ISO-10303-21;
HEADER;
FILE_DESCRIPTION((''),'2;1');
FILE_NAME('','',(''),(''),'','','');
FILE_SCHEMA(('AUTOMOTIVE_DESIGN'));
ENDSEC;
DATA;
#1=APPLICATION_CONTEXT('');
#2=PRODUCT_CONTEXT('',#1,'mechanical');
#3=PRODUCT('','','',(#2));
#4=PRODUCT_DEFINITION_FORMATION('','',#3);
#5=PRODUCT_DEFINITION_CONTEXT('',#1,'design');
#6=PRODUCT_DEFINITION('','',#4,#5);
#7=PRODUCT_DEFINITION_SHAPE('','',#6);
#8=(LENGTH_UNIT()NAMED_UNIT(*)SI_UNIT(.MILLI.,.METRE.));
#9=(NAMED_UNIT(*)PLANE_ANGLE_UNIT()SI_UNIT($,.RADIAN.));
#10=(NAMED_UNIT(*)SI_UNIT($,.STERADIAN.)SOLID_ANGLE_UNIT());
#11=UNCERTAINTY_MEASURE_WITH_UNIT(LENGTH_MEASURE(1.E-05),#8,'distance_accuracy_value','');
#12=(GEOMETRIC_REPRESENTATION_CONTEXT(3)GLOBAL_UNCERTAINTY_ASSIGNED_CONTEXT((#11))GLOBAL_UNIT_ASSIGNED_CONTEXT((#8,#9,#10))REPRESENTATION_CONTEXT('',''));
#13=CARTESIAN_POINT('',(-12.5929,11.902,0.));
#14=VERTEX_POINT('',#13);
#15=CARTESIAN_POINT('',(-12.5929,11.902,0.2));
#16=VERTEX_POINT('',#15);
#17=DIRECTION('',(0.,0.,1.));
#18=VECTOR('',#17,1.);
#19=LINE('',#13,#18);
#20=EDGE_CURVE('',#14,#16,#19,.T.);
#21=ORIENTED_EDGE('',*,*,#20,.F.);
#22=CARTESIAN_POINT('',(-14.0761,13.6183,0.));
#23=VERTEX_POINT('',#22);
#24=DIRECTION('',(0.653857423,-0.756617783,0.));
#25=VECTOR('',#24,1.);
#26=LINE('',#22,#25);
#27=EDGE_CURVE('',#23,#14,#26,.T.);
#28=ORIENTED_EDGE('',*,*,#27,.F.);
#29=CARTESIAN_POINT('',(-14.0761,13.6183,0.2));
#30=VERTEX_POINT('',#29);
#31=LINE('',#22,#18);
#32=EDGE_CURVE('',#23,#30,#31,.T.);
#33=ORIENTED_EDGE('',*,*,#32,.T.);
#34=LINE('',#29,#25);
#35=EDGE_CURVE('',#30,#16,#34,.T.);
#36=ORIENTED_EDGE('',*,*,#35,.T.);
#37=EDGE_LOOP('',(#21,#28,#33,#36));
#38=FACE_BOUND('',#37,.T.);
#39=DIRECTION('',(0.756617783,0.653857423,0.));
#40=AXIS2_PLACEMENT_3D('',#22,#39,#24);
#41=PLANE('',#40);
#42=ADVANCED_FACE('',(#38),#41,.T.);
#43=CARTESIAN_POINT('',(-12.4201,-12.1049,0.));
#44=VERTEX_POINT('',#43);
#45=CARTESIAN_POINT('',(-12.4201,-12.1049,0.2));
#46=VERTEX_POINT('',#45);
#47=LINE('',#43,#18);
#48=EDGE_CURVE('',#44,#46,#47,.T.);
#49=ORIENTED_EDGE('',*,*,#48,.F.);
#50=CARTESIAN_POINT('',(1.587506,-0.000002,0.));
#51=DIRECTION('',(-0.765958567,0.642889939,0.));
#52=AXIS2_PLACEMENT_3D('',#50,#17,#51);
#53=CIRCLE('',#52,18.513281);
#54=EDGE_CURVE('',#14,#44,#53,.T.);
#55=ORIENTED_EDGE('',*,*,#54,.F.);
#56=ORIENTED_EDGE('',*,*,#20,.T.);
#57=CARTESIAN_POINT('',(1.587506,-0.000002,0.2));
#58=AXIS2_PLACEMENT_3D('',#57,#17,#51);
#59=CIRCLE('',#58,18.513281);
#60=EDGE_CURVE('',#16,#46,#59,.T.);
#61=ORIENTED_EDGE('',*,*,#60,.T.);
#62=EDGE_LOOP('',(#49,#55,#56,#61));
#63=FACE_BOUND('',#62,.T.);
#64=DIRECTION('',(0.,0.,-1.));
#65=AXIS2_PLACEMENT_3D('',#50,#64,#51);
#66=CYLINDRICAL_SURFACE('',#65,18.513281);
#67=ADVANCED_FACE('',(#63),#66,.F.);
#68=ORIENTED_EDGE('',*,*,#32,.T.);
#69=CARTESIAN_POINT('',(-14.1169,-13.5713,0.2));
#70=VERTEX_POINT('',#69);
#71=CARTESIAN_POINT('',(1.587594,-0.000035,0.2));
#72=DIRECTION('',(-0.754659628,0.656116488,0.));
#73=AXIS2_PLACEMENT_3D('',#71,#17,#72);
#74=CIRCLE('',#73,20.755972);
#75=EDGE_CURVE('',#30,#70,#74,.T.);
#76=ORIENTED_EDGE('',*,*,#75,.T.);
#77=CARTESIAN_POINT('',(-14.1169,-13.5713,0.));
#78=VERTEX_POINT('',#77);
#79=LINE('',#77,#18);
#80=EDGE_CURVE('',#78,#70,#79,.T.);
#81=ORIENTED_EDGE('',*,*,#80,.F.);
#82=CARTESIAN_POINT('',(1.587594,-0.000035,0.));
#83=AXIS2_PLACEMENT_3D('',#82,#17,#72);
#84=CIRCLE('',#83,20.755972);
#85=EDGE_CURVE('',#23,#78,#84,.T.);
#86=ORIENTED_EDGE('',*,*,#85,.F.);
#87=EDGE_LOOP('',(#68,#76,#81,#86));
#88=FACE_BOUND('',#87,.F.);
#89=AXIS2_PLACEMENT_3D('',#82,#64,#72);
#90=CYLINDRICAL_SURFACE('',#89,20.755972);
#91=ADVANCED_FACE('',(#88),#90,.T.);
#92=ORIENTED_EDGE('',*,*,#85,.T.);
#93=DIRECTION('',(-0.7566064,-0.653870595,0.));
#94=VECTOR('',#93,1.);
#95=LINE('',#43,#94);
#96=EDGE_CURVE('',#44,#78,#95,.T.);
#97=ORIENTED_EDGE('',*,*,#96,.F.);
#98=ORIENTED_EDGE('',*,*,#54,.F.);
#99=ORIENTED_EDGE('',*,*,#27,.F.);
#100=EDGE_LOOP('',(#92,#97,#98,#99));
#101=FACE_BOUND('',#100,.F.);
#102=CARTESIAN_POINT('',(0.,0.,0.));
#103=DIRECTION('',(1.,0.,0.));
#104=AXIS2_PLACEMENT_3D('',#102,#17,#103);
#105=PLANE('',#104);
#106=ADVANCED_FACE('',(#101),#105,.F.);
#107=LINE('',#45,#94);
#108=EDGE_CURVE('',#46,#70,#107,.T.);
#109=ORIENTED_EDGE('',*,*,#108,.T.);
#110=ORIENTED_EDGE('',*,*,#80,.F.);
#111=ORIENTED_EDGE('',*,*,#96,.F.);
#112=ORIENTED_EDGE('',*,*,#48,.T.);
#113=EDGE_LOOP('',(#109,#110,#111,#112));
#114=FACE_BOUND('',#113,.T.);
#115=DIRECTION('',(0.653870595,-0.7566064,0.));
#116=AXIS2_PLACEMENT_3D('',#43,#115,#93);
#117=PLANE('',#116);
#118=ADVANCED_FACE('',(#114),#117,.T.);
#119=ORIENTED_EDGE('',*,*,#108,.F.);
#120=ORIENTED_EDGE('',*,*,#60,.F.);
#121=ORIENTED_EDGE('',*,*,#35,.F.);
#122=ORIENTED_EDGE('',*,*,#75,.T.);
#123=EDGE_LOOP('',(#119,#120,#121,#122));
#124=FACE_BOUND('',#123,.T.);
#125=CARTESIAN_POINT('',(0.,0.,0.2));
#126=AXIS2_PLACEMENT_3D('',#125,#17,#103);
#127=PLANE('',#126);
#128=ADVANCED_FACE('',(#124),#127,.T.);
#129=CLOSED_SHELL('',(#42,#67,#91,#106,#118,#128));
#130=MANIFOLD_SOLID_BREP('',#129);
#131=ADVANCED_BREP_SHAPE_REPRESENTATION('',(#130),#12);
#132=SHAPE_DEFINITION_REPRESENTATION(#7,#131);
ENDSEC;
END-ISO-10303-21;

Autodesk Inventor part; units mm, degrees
ref_plane "YZ Plane" through (0, 0, 0) normal (1, 0, 0) x (0, 1, 0)
ref_plane "XZ Plane" through (0, 0, 0) normal (0, 1, 0) x (-1, 0, 0)
ref_plane "XY Plane" through (0, 0, 0) normal (0, 0, 1) x (1, 0, 0)
sketch "Szkic1" plane through (0, 0, 0) normal (0, 0, 1) x (1, 0, 0)
  arc A0 (-14.0761, 13.6183) -> (-14.1169, -13.5713) centre (1.5875, 0) ccw
  arc A1 (-12.5929, 11.902) -> (-12.4201, -12.1049) centre (1.5875, 0) ccw
  line L0 (-14.0761, 13.6183) -> (-12.5929, 11.902)
  line L1 (-12.4201, -12.1049) -> (-14.1169, -13.5713)
  point P0 (0, 0)
extrude "Wyciągnięcie proste1" add sketch "Szkic1" along normal blind 0.2
properties part number "buzia"
